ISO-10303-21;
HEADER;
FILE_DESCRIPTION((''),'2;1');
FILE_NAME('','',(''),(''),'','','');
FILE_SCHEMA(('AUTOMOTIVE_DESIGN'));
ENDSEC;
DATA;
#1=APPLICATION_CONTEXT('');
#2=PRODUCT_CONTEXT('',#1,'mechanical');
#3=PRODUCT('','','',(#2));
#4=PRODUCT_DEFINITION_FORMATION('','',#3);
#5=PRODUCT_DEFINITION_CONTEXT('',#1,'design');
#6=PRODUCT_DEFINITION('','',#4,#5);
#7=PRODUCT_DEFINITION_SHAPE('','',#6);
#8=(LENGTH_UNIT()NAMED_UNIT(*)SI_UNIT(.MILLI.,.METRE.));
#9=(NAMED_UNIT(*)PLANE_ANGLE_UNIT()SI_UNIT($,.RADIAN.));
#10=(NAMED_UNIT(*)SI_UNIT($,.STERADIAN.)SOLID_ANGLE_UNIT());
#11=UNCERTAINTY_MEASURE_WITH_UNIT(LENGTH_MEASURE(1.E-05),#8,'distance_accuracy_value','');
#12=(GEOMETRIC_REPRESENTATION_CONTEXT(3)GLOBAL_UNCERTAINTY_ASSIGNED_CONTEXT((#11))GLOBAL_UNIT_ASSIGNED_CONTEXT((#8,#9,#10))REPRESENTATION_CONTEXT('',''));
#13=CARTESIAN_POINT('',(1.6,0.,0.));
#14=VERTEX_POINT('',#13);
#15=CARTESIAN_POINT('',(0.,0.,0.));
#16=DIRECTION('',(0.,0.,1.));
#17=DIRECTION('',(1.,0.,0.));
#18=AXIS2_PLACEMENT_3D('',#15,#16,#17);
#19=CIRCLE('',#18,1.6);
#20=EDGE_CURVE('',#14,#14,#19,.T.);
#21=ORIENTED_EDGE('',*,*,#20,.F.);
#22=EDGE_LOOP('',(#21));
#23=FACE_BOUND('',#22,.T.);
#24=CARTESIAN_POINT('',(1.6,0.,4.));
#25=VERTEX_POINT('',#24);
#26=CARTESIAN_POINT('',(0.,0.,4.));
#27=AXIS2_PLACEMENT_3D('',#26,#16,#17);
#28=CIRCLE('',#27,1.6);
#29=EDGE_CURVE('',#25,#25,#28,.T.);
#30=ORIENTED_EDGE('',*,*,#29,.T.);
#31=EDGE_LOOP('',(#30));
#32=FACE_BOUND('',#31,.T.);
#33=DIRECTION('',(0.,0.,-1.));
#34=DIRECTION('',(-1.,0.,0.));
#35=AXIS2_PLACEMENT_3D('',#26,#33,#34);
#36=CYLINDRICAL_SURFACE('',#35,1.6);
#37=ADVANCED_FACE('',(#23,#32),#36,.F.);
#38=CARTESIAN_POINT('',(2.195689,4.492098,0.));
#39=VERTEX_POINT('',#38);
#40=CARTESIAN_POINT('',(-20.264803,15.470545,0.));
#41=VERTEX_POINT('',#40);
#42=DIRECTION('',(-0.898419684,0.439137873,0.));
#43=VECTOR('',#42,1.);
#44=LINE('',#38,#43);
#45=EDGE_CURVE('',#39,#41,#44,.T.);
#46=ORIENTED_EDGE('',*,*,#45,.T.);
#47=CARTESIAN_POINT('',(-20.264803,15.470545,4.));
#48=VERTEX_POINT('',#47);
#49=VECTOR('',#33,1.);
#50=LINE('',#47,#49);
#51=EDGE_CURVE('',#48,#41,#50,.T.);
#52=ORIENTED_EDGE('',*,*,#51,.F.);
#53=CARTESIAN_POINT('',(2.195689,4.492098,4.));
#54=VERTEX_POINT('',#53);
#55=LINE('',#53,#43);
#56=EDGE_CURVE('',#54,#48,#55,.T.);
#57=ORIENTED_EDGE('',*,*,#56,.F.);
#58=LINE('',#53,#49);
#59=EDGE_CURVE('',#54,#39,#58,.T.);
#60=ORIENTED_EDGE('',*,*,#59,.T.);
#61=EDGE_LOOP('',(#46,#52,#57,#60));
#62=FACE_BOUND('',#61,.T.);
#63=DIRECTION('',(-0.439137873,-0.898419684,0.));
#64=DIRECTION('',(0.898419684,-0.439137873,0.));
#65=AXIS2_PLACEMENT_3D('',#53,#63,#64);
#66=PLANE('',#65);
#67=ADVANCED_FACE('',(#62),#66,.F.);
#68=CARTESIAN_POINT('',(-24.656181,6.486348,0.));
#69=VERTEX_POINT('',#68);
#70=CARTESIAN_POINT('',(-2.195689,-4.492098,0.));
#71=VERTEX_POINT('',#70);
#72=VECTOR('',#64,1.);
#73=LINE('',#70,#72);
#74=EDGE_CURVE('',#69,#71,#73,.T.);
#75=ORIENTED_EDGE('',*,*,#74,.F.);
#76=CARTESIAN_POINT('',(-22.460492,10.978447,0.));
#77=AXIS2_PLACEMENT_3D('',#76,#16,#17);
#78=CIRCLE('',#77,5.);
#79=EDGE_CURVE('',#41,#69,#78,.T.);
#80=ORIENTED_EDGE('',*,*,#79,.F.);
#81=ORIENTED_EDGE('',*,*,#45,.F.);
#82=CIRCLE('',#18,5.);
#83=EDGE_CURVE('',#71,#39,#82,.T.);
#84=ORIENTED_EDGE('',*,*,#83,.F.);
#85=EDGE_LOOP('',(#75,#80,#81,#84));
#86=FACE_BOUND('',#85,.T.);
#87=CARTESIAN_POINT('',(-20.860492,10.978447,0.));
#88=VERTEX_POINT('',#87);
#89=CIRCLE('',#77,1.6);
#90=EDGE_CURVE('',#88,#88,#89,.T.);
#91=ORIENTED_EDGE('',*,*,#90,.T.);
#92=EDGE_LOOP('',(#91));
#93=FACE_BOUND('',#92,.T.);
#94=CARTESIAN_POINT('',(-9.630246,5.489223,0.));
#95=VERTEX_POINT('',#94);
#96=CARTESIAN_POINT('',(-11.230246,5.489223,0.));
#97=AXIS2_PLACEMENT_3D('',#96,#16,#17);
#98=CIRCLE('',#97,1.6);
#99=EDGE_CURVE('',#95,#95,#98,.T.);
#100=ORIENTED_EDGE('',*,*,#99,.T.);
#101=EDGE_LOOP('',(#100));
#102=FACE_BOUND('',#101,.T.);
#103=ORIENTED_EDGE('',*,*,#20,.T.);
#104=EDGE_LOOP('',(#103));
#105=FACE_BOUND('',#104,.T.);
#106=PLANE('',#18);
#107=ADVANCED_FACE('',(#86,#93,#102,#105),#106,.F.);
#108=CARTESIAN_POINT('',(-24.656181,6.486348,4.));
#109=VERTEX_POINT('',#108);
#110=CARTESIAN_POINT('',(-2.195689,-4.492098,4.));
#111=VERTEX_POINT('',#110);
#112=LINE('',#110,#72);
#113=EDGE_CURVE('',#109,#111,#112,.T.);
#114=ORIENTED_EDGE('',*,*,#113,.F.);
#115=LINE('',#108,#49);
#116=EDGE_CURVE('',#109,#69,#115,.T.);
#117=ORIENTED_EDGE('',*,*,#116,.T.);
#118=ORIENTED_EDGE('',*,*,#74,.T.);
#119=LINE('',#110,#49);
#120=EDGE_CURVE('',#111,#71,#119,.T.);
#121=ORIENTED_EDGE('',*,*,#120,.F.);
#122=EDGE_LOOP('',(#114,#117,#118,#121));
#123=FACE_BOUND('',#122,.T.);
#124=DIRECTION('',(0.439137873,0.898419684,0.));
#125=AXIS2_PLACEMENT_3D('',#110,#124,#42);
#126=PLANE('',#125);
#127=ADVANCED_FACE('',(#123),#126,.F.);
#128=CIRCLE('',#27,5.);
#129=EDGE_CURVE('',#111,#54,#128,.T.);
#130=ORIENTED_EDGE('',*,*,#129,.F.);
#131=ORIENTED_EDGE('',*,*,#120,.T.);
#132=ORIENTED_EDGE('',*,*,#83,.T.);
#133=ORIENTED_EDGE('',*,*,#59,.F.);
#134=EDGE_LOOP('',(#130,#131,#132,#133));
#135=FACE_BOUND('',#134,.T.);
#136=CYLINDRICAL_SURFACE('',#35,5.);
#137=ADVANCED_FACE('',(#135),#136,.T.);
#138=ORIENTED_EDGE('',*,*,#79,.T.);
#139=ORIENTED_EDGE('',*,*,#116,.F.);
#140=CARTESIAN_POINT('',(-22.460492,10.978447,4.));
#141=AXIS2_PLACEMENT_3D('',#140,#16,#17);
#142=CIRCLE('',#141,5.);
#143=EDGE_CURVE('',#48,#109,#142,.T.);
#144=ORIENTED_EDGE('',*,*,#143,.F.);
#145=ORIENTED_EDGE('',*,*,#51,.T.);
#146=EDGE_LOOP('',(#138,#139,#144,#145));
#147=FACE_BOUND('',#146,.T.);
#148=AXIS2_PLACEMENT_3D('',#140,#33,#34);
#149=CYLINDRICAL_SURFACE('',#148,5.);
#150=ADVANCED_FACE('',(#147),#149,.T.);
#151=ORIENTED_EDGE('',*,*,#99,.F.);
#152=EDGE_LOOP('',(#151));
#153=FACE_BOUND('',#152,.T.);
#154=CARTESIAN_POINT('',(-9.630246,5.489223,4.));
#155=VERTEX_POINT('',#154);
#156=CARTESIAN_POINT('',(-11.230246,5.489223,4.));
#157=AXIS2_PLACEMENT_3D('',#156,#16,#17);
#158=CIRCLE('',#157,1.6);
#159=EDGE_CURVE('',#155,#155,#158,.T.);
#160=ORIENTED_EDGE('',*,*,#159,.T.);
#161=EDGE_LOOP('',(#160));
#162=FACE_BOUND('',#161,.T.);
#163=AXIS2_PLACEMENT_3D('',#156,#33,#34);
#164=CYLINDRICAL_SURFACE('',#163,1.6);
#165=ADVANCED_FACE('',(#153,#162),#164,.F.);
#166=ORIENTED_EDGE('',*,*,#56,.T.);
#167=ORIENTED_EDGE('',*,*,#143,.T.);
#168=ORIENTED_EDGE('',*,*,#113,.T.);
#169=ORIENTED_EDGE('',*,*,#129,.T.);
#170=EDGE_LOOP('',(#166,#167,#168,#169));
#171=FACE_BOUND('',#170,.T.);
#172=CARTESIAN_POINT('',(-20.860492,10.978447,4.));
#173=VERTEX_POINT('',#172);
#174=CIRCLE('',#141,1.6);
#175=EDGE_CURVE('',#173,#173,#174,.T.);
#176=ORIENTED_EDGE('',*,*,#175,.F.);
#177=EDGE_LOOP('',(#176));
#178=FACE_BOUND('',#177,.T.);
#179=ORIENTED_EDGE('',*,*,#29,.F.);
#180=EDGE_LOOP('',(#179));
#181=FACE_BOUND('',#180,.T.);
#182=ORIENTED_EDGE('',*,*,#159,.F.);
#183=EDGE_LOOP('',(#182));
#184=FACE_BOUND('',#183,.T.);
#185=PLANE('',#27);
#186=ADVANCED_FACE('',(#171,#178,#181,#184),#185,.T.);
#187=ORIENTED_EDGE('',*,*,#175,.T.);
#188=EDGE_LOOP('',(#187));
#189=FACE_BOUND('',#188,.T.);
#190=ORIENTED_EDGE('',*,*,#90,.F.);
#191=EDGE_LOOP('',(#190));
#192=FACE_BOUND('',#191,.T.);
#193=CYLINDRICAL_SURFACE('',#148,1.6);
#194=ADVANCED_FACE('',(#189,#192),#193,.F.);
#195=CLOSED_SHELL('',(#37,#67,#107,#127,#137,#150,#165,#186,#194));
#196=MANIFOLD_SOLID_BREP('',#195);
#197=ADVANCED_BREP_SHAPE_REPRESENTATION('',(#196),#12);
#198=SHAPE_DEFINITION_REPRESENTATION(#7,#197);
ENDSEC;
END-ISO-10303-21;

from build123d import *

# Parameters (mm, degrees)
SKETCH1_R           = 1.6
BOSS_EXTRUDE1_DEPTH = 4


with BuildPart() as part:
    # Sketch1 → Boss-Extrude1 (new body)
    with BuildSketch(Plane.XY):
        with BuildLine():
            Line((-2.195689363, -4.492098421), (-24.656181467, 6.486348392))
            ThreePointArc((-24.656181467, 6.486348392), (-26.952590525, 13.174136176), (-20.264802742, 15.470545234))
            Line((-20.264802742, 15.470545234), (2.195689363, 4.492098421))
            ThreePointArc((2.195689363, 4.492098421), (4.492098421, -2.195689363), (-2.195689363, -4.492098421))
        make_face()
        with Locations((-22.460492104, 10.978446813)):
            Circle(SKETCH1_R, mode=Mode.SUBTRACT)
        Circle(SKETCH1_R, mode=Mode.SUBTRACT)
        with Locations((-11.230246052, 5.489223407)):
            Circle(SKETCH1_R, mode=Mode.SUBTRACT)
    extrude(amount=BOSS_EXTRUDE1_DEPTH)


solid = part.part
